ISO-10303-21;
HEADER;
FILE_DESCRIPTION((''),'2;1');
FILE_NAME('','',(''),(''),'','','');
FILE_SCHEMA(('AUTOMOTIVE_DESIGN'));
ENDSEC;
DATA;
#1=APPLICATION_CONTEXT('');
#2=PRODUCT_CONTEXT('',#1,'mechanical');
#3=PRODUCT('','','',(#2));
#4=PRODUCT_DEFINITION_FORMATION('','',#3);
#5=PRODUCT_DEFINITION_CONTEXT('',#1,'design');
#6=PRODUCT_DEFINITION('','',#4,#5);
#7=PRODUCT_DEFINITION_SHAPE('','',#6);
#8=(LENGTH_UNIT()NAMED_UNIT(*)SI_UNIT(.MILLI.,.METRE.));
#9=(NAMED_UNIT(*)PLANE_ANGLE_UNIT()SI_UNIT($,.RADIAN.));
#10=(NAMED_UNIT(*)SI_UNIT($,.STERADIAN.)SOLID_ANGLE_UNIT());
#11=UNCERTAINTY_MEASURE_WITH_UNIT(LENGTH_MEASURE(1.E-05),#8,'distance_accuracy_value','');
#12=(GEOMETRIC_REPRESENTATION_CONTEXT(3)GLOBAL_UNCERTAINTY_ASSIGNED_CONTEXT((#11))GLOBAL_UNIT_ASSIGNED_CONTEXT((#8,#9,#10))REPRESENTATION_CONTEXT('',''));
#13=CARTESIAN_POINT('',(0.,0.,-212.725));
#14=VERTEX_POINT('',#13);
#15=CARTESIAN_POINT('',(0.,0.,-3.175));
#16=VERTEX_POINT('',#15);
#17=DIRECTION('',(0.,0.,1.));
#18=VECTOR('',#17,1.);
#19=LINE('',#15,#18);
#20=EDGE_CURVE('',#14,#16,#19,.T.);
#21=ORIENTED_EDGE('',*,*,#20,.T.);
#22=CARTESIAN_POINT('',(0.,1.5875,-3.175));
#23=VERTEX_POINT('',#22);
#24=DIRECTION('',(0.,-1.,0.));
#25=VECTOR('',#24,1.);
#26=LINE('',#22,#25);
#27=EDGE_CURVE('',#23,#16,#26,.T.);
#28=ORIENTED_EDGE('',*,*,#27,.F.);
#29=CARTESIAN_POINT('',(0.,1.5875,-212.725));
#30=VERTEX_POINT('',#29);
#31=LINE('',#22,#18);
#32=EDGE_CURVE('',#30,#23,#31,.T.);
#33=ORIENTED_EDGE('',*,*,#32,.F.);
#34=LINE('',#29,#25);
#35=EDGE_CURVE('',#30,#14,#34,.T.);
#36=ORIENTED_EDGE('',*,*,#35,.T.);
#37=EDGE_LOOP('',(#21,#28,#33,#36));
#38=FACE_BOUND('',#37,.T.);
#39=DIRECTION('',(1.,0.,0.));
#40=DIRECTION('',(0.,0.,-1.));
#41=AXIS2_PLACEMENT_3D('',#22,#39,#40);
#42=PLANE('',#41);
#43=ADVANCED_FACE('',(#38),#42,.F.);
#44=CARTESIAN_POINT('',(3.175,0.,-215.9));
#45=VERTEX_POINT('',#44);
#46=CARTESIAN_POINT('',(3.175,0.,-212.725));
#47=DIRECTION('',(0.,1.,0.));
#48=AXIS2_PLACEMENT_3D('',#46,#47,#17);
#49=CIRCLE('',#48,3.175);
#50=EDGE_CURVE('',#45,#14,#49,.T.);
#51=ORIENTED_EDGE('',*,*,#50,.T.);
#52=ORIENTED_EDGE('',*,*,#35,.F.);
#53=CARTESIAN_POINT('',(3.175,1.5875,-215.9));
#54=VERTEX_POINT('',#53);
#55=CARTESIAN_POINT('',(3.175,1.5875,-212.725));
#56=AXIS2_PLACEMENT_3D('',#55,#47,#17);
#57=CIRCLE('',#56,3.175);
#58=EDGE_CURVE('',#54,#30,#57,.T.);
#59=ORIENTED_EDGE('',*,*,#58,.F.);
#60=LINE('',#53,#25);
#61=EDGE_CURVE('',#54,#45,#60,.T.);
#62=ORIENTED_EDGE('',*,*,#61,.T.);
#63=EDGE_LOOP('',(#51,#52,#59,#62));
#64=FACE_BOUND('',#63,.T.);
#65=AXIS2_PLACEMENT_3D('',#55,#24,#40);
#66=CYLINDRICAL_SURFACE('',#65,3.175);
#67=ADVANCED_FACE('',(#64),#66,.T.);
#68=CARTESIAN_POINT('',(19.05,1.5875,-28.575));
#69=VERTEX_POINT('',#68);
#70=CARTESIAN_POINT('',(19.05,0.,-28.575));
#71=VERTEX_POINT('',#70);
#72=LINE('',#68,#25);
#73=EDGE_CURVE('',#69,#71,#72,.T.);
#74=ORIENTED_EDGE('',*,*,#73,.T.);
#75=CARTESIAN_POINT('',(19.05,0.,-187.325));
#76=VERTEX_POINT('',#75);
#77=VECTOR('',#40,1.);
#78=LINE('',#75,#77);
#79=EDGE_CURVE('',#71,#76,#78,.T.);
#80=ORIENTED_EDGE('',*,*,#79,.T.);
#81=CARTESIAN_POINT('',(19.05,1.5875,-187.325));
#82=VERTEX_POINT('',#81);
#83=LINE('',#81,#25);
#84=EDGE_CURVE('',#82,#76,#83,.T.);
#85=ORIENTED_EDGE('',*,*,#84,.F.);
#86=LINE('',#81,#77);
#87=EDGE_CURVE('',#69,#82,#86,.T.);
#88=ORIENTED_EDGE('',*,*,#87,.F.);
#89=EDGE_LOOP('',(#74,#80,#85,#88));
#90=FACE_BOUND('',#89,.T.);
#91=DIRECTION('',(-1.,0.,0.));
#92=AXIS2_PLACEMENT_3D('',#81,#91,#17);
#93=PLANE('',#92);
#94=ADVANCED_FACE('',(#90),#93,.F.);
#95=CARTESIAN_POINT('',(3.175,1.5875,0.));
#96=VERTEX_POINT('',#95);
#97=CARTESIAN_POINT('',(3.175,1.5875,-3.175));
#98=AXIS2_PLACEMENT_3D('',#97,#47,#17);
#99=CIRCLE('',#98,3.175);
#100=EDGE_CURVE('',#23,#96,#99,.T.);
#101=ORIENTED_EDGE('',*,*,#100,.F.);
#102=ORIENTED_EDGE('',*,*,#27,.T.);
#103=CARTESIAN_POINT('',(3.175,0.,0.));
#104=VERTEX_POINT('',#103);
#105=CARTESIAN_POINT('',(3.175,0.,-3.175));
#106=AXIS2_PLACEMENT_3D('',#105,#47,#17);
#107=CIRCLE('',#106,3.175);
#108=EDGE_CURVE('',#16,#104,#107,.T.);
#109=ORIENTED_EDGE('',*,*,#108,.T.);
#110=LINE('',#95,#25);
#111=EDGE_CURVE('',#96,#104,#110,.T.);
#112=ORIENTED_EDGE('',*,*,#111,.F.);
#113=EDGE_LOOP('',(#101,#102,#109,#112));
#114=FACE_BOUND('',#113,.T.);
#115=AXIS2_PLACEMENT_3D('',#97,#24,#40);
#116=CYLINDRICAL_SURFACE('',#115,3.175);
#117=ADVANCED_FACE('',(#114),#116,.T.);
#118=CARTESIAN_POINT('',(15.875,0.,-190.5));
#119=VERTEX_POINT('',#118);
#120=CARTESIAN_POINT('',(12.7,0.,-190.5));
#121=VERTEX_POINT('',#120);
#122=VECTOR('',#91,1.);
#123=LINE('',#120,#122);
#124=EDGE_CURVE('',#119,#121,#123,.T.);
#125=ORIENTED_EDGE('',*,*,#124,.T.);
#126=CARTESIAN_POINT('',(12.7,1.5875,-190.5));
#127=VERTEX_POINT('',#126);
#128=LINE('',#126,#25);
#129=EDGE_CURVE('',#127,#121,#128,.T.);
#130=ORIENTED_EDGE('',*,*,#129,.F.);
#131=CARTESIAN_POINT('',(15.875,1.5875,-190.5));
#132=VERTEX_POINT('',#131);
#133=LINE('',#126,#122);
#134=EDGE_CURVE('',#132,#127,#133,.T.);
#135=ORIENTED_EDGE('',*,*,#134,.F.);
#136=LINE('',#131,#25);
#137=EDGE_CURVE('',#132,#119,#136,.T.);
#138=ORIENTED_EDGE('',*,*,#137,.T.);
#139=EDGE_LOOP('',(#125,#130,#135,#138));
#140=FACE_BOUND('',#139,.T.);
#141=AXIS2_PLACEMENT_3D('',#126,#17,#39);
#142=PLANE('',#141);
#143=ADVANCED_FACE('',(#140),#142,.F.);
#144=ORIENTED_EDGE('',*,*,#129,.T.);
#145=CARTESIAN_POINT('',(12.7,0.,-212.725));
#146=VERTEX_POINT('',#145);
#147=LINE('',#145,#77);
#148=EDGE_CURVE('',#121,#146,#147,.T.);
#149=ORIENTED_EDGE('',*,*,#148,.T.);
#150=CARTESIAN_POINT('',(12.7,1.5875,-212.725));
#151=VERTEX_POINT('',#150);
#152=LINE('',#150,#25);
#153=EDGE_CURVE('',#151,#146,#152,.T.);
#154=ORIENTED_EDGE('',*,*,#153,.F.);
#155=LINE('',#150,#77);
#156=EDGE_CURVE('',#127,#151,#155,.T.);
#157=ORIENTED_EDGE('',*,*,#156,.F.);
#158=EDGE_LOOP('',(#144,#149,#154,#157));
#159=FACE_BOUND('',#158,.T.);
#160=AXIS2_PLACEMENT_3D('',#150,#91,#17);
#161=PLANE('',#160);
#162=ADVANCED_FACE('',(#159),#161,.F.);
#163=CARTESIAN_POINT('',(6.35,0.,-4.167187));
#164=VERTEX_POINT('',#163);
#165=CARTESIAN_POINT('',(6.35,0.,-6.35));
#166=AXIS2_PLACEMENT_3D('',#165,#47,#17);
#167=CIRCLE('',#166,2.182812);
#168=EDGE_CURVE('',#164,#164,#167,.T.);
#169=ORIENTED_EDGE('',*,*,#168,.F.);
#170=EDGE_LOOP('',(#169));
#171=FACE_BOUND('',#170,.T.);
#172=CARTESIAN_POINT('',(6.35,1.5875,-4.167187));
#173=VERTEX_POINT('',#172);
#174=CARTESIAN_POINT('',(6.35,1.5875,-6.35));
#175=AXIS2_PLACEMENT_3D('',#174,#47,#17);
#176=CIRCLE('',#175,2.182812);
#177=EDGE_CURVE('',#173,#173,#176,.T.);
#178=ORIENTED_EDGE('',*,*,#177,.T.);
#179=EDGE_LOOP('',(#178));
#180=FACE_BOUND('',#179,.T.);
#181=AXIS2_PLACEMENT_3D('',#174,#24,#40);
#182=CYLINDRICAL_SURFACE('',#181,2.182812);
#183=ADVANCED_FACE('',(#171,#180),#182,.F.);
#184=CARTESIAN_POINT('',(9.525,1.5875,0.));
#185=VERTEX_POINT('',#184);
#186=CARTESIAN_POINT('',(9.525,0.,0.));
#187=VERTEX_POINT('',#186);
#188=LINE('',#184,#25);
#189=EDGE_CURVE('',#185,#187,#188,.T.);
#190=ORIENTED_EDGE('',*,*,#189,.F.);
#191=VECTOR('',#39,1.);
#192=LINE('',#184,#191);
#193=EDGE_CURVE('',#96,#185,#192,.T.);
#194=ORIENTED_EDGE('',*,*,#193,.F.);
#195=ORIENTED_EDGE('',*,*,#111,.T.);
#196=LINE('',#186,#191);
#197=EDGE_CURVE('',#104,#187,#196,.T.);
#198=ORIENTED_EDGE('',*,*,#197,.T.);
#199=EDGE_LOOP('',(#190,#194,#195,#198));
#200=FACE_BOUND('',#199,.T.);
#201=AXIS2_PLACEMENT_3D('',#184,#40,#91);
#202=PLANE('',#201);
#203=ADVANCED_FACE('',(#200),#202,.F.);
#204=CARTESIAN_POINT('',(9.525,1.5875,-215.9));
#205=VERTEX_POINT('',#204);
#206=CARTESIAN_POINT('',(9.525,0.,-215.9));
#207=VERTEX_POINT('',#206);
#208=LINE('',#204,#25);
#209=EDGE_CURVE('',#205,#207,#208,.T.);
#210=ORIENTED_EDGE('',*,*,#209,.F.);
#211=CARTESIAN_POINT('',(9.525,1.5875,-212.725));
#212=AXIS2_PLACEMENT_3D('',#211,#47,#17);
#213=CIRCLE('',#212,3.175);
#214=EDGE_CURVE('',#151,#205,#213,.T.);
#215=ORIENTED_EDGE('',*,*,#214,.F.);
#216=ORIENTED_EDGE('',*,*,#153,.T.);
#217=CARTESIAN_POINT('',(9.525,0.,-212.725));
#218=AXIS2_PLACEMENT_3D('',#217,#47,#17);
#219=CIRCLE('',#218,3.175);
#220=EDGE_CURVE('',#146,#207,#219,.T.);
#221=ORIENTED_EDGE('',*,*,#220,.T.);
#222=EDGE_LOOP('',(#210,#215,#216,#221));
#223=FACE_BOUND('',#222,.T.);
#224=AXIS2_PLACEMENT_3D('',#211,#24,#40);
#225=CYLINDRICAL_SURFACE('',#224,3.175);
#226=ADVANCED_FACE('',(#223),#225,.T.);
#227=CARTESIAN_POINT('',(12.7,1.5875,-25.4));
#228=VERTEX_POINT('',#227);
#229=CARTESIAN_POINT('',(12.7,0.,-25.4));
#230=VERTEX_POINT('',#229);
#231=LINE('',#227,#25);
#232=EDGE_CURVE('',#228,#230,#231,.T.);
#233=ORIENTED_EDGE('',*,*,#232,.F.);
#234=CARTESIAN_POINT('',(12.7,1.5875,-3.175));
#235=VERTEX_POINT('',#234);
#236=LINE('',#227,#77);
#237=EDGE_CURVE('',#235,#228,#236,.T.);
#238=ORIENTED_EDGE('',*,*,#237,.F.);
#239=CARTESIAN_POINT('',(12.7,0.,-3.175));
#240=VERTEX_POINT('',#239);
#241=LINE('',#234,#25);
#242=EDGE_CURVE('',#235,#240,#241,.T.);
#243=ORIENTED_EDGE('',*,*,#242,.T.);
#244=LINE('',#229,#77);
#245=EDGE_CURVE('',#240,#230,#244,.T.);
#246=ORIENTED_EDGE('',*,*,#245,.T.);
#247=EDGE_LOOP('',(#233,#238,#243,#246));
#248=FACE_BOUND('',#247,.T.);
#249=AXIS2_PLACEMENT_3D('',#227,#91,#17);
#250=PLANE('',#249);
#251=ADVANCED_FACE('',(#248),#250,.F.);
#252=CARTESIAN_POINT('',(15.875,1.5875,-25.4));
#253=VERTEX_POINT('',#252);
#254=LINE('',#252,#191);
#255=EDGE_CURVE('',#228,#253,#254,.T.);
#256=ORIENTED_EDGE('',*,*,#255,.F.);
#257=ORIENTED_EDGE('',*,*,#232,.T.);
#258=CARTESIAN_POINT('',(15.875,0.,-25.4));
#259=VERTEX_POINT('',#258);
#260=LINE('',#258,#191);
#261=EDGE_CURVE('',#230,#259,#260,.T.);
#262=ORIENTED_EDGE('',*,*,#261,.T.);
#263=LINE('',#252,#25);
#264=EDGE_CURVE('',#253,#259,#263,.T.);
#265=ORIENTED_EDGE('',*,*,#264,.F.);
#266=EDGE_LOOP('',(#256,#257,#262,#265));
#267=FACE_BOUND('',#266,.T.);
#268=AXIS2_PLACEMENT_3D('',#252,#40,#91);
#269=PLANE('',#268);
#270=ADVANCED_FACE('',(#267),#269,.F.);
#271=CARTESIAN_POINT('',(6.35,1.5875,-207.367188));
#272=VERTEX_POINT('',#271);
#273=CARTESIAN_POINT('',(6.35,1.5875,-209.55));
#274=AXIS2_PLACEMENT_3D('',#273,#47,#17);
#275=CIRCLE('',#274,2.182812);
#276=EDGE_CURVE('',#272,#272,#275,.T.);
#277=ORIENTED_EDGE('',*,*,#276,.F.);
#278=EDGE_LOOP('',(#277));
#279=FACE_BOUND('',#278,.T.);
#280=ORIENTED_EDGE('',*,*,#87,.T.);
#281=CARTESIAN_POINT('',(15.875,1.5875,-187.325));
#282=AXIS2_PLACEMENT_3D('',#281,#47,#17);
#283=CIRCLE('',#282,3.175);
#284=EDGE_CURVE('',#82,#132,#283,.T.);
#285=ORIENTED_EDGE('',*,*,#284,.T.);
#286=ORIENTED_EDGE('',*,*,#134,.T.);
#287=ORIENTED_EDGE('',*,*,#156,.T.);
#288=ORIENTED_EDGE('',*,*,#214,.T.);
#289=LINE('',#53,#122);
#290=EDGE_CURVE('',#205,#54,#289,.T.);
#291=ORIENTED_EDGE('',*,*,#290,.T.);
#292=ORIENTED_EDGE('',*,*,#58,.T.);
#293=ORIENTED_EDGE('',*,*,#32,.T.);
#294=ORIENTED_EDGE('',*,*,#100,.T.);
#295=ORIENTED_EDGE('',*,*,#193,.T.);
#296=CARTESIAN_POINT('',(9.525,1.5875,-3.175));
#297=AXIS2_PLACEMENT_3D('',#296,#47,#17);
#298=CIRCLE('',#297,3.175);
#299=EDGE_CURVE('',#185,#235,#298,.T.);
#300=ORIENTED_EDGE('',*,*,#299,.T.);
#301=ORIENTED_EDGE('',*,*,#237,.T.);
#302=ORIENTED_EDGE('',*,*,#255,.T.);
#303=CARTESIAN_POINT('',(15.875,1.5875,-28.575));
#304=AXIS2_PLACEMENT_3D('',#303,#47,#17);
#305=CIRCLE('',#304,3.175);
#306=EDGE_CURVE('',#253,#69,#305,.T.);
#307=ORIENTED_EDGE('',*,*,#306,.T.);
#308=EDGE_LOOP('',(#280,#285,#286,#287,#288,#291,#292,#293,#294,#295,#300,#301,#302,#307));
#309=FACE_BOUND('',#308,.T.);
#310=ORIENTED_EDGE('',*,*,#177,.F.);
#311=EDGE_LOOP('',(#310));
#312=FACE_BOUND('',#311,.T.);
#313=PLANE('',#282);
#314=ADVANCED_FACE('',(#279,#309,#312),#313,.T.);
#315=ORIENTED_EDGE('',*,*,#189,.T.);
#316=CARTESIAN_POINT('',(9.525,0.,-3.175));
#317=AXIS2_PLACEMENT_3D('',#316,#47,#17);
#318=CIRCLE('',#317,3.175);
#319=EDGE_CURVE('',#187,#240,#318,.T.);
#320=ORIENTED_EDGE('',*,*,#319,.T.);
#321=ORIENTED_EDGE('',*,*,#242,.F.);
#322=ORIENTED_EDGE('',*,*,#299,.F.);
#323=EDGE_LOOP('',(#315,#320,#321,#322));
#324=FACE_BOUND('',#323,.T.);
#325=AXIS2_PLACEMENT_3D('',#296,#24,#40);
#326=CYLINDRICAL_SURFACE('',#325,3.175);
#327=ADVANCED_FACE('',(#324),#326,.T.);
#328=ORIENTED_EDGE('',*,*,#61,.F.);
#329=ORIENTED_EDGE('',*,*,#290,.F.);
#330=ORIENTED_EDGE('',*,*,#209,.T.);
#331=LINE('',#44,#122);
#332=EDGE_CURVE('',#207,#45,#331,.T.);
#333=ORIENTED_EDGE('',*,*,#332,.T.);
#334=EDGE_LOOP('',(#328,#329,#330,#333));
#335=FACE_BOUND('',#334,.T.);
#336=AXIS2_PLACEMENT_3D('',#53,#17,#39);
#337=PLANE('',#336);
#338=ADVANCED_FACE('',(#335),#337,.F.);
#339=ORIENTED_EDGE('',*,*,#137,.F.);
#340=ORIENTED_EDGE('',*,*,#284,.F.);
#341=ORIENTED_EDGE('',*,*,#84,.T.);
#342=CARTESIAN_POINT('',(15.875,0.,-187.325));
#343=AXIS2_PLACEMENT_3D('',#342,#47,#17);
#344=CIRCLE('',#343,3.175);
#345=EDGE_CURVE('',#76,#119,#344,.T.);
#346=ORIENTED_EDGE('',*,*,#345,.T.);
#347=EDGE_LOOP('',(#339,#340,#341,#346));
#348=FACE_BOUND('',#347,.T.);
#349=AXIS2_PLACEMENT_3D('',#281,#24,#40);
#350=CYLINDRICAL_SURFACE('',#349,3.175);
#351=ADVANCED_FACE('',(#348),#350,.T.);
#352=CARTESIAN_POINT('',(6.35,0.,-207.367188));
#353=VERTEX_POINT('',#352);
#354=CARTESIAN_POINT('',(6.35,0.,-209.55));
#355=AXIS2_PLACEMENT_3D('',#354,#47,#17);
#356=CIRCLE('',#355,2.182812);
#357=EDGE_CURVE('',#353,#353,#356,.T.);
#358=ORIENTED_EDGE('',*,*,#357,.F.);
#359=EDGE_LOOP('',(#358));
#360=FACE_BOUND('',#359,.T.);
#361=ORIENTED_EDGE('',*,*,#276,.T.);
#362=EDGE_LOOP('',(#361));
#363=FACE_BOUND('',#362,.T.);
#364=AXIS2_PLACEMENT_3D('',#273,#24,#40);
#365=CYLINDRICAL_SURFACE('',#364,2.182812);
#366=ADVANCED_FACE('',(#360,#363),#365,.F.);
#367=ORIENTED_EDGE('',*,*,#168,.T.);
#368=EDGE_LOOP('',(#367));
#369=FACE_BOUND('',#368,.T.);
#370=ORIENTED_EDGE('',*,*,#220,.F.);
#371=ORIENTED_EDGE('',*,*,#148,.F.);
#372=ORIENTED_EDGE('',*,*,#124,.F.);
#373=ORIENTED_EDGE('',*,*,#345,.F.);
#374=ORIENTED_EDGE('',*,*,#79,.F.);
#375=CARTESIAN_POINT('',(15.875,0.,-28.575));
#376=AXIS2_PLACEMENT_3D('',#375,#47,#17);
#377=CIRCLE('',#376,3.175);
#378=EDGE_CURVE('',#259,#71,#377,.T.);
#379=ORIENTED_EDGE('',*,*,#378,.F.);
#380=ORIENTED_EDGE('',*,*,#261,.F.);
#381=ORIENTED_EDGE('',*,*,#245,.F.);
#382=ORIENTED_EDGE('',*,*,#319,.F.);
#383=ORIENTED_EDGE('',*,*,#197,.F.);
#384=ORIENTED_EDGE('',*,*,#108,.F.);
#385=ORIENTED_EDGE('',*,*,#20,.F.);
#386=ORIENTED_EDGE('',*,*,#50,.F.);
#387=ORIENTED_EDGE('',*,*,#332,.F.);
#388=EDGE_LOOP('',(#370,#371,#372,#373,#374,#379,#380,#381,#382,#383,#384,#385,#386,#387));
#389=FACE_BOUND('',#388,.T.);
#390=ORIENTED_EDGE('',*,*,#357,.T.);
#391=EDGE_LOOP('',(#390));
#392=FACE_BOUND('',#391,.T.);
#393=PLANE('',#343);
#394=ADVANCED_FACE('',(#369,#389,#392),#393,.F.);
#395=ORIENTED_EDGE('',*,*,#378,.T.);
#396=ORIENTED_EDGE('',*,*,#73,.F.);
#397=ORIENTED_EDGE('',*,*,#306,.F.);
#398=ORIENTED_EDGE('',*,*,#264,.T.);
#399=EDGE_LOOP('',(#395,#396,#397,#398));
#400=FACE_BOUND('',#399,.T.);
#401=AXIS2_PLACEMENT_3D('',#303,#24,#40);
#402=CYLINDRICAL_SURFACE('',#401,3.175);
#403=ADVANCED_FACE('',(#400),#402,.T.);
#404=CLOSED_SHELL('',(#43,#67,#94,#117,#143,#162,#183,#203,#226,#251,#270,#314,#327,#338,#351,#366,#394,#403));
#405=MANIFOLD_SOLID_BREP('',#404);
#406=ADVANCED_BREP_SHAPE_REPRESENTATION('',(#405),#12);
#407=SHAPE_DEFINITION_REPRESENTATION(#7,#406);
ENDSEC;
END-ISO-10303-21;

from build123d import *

# Parameters (mm, degrees)
SKETCH1_R           = 2.1828125
BOSS_EXTRUDE1_DEPTH = 1.5875


with BuildPart() as part:
    # Sketch1 → Boss-Extrude1 (new body)
    with BuildSketch(Plane(origin=(0, 0, 0), x_dir=(1, 0, 0), z_dir=(0, 1, 0))):
        with BuildLine():
            Line((0, 3.175), (0, 212.725))
            ThreePointArc((0, 212.725), (0.92993597, 214.97006403), (3.175, 215.9))
            Line((3.175, 215.9), (9.525, 215.9))
            ThreePointArc((9.525, 215.9), (11.77006403, 214.97006403), (12.7, 212.725))
            Line((12.7, 212.725), (12.7, 190.5))
            Line((12.7, 190.5), (15.875, 190.5))
            ThreePointArc((15.875, 190.5), (18.12006403, 189.57006403), (19.05, 187.325))
            Line((19.05, 187.325), (19.05, 28.575))
            ThreePointArc((19.05, 28.575), (18.12006403, 26.32993597), (15.875, 25.4))
            Line((15.875, 25.4), (12.7, 25.4))
            Line((12.7, 25.4), (12.7, 3.175))
            ThreePointArc((12.7, 3.175), (11.77006403, 0.92993597), (9.525, 0))
            Line((9.525, 0), (3.175, 0))
            ThreePointArc((3.175, 0), (0.92993597, 0.92993597), (0, 3.175))
        make_face()
        with Locations((6.35, 209.55)):
            Circle(SKETCH1_R, mode=Mode.SUBTRACT)
        with Locations((6.35, 6.35)):
            Circle(SKETCH1_R, mode=Mode.SUBTRACT)
    extrude(amount=BOSS_EXTRUDE1_DEPTH)


solid = part.part
